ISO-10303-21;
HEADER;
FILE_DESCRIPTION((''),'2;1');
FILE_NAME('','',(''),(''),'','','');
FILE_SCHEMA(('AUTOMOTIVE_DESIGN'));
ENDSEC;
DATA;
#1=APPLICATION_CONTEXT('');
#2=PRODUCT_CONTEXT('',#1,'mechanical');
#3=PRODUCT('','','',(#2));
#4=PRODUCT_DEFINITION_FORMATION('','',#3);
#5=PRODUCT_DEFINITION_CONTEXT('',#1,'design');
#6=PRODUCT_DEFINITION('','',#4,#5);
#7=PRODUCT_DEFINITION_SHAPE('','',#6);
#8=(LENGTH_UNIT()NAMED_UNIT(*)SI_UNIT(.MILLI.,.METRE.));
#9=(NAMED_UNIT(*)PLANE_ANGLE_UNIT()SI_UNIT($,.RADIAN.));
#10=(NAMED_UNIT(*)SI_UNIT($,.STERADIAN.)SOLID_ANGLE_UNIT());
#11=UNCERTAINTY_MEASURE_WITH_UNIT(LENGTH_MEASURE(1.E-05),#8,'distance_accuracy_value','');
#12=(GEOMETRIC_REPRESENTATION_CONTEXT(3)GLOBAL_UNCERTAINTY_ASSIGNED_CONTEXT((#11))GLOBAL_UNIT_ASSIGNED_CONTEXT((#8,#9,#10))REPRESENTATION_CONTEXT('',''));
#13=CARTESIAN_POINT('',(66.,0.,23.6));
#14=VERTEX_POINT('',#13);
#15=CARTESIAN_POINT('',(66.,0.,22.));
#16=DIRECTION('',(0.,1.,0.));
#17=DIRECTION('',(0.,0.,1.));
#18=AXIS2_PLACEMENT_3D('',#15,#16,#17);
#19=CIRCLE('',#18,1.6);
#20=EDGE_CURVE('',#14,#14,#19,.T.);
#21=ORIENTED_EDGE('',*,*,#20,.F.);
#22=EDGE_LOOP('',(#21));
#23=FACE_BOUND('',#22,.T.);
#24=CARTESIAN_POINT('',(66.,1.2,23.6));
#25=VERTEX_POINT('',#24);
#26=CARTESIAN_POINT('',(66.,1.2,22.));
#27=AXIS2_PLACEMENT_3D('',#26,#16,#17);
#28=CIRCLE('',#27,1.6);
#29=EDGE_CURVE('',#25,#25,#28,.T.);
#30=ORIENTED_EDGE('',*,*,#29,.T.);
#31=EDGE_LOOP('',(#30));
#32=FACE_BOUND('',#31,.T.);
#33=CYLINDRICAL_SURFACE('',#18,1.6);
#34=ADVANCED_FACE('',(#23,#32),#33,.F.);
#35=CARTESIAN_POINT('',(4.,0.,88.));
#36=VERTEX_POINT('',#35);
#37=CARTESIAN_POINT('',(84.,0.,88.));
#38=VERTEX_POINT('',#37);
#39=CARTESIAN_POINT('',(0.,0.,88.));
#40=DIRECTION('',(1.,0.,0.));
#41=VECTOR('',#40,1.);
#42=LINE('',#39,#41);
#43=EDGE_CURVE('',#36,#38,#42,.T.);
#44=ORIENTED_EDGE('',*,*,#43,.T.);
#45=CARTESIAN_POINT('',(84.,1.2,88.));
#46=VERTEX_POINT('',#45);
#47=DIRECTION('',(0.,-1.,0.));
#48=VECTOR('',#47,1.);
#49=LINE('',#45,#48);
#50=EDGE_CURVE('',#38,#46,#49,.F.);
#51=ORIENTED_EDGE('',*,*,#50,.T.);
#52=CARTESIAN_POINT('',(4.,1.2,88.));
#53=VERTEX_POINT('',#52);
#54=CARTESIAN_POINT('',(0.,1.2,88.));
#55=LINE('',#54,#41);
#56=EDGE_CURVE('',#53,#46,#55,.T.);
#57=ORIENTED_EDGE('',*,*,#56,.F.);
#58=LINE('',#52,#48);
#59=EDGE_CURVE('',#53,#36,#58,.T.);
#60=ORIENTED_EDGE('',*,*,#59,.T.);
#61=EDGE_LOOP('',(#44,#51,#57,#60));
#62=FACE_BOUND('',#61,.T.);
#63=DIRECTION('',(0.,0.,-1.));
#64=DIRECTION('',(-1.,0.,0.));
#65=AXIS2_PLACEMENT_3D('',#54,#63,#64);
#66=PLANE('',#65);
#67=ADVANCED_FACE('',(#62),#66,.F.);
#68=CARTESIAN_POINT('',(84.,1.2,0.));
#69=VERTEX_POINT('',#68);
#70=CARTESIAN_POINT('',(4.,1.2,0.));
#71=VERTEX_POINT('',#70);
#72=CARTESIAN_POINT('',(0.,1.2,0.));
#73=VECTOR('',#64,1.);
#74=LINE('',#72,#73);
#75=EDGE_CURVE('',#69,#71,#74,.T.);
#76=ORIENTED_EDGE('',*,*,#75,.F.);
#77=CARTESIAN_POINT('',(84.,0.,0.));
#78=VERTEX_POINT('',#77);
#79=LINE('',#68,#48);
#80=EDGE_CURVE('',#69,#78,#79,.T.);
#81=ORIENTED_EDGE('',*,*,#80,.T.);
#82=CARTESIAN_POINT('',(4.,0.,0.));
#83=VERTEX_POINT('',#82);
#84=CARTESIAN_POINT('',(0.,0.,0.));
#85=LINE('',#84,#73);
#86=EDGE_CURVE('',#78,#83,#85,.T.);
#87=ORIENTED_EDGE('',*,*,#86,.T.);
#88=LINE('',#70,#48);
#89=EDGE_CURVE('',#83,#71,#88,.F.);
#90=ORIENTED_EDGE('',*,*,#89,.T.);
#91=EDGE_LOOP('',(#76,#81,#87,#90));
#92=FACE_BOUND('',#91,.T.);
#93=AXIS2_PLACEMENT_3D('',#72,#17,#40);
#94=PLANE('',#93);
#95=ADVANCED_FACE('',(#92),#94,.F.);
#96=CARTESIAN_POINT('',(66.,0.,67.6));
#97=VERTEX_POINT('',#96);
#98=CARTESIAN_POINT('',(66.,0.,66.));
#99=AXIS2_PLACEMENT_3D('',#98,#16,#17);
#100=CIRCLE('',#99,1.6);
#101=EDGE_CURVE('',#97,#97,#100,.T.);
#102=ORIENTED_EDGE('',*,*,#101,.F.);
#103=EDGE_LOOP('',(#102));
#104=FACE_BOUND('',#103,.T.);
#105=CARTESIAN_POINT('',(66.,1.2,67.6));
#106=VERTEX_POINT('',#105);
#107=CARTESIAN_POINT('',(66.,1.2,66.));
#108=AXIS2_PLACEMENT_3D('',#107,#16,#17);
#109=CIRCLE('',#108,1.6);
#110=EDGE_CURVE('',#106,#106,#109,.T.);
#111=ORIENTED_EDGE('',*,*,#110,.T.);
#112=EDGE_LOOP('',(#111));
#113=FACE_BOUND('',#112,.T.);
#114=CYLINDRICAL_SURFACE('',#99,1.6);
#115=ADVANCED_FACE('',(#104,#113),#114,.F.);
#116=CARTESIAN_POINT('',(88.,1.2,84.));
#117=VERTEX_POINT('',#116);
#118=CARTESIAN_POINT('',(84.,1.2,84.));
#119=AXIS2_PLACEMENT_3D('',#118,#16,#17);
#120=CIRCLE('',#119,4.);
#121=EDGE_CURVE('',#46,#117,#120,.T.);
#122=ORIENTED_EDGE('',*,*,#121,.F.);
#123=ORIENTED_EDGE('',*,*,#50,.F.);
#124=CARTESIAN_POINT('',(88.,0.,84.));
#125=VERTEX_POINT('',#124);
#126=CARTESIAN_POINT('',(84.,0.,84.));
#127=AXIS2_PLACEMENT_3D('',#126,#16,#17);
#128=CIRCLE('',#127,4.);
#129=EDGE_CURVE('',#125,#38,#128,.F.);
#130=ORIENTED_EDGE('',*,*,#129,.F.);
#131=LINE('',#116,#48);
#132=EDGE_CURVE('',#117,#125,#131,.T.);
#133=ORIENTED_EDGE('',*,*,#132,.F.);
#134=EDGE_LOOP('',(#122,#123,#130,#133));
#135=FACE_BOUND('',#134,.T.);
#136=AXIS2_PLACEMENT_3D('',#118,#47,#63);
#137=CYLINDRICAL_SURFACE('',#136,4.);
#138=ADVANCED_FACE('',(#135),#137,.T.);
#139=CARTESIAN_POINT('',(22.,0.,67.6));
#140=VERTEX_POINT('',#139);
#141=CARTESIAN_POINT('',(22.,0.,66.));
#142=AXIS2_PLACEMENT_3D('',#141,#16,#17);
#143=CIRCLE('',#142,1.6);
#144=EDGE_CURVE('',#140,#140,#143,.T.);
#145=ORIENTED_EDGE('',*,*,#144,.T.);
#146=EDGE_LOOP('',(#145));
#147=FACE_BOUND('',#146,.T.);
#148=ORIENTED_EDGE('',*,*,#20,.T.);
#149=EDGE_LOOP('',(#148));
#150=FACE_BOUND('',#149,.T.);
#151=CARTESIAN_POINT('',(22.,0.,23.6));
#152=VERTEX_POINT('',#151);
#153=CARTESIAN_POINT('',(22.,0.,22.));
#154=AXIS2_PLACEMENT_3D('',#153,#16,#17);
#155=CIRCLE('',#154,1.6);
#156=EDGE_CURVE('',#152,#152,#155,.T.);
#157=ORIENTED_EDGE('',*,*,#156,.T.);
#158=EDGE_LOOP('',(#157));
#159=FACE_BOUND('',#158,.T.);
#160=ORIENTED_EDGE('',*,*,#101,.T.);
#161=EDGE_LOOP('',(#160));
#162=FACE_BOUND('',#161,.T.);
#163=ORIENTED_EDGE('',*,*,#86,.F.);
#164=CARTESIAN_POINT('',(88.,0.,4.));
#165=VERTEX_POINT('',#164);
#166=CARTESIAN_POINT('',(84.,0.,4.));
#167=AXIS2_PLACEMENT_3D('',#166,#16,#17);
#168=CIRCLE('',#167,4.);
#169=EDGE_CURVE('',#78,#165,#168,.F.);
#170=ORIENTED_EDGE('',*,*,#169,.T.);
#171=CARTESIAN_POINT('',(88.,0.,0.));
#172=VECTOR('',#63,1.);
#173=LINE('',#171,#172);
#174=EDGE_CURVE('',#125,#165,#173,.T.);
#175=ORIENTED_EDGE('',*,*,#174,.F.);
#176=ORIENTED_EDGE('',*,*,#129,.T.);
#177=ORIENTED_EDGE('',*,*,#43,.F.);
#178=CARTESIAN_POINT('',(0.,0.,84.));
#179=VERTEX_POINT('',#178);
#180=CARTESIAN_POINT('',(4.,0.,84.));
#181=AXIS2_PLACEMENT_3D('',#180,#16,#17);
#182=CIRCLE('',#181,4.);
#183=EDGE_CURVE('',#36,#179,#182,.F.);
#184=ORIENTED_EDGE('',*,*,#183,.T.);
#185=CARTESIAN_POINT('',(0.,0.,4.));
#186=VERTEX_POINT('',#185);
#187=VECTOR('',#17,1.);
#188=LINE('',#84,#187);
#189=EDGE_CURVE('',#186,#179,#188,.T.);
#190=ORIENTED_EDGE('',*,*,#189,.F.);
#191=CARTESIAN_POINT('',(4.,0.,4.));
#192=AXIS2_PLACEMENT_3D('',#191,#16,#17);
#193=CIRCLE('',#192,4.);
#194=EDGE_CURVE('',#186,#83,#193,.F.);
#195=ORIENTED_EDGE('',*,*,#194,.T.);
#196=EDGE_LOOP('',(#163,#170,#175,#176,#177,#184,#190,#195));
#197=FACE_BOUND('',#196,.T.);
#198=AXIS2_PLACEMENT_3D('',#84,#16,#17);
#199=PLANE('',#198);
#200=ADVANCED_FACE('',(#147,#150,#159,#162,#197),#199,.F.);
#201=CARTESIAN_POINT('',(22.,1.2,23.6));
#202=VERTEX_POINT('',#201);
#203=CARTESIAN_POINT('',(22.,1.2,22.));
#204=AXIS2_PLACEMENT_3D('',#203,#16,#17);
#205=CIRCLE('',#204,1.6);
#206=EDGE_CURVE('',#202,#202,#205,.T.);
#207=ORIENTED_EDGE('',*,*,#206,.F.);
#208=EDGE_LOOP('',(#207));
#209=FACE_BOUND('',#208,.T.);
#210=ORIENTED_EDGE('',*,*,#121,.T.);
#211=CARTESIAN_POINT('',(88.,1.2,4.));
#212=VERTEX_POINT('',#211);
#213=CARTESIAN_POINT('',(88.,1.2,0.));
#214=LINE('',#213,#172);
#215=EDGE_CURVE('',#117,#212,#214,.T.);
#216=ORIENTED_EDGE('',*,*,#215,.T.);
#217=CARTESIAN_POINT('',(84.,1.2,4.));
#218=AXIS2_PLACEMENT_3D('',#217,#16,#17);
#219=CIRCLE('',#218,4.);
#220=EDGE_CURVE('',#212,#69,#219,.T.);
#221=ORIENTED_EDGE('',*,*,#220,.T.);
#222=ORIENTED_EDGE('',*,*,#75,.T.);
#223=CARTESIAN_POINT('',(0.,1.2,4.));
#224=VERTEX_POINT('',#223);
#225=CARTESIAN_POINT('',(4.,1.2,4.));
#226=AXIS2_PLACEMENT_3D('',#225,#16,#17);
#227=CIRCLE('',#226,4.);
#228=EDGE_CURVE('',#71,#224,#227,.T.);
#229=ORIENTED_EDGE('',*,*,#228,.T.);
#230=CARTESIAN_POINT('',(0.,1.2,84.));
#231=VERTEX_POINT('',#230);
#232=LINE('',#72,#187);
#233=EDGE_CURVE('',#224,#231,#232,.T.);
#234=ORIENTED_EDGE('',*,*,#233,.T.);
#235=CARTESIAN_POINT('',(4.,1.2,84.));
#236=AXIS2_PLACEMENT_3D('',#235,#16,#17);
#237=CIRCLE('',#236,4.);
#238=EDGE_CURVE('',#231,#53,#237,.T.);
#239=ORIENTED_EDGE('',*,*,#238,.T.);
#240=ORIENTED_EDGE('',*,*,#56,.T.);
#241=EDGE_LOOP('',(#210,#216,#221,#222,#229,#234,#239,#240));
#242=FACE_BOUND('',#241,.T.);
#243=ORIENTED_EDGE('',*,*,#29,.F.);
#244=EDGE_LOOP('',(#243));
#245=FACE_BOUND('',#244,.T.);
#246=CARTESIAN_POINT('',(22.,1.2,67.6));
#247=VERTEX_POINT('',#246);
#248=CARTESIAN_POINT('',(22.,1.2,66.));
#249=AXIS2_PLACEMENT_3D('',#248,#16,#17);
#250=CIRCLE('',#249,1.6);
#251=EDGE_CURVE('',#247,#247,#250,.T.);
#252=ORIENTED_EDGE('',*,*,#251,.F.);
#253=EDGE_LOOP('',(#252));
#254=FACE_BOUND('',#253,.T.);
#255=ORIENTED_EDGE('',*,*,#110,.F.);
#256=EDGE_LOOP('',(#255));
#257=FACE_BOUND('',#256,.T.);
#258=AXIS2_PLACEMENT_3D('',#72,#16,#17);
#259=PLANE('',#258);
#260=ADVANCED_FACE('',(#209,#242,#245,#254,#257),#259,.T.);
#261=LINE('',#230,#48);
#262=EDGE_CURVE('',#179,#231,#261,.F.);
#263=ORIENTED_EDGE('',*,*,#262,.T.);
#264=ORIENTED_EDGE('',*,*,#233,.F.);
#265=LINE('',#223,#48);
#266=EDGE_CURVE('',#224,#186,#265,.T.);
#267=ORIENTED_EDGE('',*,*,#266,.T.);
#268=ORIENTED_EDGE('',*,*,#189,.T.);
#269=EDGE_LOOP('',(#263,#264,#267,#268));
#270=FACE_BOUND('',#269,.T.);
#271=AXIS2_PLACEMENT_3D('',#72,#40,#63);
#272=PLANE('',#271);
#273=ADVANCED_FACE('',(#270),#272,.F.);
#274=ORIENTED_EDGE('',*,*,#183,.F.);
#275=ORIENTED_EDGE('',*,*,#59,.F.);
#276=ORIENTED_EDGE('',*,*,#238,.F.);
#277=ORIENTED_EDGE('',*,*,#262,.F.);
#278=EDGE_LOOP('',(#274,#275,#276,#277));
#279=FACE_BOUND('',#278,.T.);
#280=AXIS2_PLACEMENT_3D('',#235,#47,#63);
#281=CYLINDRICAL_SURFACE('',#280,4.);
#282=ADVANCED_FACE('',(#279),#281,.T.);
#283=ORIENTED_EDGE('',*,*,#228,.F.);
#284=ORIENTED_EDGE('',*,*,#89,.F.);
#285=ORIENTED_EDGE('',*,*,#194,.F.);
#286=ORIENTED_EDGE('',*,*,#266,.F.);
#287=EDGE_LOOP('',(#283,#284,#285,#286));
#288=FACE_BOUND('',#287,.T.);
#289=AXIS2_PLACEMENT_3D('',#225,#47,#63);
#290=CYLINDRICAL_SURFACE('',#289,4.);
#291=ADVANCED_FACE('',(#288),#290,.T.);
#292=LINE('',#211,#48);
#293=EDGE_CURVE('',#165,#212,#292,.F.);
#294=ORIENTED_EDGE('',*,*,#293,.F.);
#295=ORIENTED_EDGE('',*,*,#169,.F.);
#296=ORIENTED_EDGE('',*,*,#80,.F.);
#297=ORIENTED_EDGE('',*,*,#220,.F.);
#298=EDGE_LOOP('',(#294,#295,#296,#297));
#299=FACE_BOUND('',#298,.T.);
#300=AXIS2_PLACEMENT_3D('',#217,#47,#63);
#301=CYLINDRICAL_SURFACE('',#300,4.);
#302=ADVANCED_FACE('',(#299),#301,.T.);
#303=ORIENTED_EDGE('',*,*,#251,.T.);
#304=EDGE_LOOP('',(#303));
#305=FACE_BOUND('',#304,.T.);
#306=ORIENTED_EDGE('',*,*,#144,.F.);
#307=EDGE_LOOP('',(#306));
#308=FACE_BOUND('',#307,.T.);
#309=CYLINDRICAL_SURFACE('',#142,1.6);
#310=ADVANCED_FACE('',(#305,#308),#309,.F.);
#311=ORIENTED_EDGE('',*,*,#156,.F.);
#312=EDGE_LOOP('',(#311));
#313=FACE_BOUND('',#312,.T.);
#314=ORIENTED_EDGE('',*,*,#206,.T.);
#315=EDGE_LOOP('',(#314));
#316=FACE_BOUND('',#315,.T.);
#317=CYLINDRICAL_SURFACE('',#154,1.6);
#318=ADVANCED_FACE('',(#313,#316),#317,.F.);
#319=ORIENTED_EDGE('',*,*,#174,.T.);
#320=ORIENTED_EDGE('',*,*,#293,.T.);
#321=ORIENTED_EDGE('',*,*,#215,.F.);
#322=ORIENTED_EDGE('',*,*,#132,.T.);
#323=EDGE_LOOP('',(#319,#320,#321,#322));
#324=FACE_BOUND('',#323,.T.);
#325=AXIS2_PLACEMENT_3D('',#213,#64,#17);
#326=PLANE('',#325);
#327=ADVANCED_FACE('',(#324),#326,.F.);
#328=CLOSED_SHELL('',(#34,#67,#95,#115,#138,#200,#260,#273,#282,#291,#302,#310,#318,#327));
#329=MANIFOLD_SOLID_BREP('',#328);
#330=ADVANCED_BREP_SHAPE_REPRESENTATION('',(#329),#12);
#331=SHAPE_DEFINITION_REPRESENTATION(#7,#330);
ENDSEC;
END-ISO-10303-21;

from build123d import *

# Parameters (mm, degrees)
SKETCH_1_W               = 88
SKETCH_1_H               = 88
EXTRUDE_1_DEPTH          = 1.2
FILLET_1_R               = 4
SKETCH_2_R               = 1.6
CUT_EXTRUDE_1_DEPTH      = 10
CUT_EXTRUDE_1_DEPTH_BACK = 2.2


with BuildPart() as part:
    # 草图1 → 凸台-拉伸1 (new body)
    with BuildSketch(Plane(origin=(0, 0, 0), x_dir=(1, 0, 0), z_dir=(0, 1, 0))):
        with Locations((44, -44)):
            Rectangle(SKETCH_1_W, SKETCH_1_H)
    extrude(amount=EXTRUDE_1_DEPTH)

    # 圆角1
    fillet_1_edges = [part.edges().sort_by_distance(p)[0] for p in [
        (0, 0.6, 0),
        (88, 0.6, 0),
        (88, 0.6, 88),
        (0, 0.6, 88),
    ]]
    fillet(fillet_1_edges, radius=FILLET_1_R)

    # 草图2 → 切除-拉伸1 (cut, two sides)
    with BuildSketch(Plane(origin=(0, 1.2, 0), x_dir=(1, 0, 0), z_dir=(0, 1, 0))) as cut_extrude_1_sk:
        with Locations((22, -22)):
            Circle(SKETCH_2_R)
        with Locations((66, -22)):
            Circle(SKETCH_2_R)
        with Locations((66, -66)):
            Circle(SKETCH_2_R)
        with Locations((22, -66)):
            Circle(SKETCH_2_R)
    extrude(amount=CUT_EXTRUDE_1_DEPTH, mode=Mode.SUBTRACT)
    extrude(cut_extrude_1_sk.sketch, amount=-CUT_EXTRUDE_1_DEPTH_BACK, mode=Mode.SUBTRACT)


solid = part.part
